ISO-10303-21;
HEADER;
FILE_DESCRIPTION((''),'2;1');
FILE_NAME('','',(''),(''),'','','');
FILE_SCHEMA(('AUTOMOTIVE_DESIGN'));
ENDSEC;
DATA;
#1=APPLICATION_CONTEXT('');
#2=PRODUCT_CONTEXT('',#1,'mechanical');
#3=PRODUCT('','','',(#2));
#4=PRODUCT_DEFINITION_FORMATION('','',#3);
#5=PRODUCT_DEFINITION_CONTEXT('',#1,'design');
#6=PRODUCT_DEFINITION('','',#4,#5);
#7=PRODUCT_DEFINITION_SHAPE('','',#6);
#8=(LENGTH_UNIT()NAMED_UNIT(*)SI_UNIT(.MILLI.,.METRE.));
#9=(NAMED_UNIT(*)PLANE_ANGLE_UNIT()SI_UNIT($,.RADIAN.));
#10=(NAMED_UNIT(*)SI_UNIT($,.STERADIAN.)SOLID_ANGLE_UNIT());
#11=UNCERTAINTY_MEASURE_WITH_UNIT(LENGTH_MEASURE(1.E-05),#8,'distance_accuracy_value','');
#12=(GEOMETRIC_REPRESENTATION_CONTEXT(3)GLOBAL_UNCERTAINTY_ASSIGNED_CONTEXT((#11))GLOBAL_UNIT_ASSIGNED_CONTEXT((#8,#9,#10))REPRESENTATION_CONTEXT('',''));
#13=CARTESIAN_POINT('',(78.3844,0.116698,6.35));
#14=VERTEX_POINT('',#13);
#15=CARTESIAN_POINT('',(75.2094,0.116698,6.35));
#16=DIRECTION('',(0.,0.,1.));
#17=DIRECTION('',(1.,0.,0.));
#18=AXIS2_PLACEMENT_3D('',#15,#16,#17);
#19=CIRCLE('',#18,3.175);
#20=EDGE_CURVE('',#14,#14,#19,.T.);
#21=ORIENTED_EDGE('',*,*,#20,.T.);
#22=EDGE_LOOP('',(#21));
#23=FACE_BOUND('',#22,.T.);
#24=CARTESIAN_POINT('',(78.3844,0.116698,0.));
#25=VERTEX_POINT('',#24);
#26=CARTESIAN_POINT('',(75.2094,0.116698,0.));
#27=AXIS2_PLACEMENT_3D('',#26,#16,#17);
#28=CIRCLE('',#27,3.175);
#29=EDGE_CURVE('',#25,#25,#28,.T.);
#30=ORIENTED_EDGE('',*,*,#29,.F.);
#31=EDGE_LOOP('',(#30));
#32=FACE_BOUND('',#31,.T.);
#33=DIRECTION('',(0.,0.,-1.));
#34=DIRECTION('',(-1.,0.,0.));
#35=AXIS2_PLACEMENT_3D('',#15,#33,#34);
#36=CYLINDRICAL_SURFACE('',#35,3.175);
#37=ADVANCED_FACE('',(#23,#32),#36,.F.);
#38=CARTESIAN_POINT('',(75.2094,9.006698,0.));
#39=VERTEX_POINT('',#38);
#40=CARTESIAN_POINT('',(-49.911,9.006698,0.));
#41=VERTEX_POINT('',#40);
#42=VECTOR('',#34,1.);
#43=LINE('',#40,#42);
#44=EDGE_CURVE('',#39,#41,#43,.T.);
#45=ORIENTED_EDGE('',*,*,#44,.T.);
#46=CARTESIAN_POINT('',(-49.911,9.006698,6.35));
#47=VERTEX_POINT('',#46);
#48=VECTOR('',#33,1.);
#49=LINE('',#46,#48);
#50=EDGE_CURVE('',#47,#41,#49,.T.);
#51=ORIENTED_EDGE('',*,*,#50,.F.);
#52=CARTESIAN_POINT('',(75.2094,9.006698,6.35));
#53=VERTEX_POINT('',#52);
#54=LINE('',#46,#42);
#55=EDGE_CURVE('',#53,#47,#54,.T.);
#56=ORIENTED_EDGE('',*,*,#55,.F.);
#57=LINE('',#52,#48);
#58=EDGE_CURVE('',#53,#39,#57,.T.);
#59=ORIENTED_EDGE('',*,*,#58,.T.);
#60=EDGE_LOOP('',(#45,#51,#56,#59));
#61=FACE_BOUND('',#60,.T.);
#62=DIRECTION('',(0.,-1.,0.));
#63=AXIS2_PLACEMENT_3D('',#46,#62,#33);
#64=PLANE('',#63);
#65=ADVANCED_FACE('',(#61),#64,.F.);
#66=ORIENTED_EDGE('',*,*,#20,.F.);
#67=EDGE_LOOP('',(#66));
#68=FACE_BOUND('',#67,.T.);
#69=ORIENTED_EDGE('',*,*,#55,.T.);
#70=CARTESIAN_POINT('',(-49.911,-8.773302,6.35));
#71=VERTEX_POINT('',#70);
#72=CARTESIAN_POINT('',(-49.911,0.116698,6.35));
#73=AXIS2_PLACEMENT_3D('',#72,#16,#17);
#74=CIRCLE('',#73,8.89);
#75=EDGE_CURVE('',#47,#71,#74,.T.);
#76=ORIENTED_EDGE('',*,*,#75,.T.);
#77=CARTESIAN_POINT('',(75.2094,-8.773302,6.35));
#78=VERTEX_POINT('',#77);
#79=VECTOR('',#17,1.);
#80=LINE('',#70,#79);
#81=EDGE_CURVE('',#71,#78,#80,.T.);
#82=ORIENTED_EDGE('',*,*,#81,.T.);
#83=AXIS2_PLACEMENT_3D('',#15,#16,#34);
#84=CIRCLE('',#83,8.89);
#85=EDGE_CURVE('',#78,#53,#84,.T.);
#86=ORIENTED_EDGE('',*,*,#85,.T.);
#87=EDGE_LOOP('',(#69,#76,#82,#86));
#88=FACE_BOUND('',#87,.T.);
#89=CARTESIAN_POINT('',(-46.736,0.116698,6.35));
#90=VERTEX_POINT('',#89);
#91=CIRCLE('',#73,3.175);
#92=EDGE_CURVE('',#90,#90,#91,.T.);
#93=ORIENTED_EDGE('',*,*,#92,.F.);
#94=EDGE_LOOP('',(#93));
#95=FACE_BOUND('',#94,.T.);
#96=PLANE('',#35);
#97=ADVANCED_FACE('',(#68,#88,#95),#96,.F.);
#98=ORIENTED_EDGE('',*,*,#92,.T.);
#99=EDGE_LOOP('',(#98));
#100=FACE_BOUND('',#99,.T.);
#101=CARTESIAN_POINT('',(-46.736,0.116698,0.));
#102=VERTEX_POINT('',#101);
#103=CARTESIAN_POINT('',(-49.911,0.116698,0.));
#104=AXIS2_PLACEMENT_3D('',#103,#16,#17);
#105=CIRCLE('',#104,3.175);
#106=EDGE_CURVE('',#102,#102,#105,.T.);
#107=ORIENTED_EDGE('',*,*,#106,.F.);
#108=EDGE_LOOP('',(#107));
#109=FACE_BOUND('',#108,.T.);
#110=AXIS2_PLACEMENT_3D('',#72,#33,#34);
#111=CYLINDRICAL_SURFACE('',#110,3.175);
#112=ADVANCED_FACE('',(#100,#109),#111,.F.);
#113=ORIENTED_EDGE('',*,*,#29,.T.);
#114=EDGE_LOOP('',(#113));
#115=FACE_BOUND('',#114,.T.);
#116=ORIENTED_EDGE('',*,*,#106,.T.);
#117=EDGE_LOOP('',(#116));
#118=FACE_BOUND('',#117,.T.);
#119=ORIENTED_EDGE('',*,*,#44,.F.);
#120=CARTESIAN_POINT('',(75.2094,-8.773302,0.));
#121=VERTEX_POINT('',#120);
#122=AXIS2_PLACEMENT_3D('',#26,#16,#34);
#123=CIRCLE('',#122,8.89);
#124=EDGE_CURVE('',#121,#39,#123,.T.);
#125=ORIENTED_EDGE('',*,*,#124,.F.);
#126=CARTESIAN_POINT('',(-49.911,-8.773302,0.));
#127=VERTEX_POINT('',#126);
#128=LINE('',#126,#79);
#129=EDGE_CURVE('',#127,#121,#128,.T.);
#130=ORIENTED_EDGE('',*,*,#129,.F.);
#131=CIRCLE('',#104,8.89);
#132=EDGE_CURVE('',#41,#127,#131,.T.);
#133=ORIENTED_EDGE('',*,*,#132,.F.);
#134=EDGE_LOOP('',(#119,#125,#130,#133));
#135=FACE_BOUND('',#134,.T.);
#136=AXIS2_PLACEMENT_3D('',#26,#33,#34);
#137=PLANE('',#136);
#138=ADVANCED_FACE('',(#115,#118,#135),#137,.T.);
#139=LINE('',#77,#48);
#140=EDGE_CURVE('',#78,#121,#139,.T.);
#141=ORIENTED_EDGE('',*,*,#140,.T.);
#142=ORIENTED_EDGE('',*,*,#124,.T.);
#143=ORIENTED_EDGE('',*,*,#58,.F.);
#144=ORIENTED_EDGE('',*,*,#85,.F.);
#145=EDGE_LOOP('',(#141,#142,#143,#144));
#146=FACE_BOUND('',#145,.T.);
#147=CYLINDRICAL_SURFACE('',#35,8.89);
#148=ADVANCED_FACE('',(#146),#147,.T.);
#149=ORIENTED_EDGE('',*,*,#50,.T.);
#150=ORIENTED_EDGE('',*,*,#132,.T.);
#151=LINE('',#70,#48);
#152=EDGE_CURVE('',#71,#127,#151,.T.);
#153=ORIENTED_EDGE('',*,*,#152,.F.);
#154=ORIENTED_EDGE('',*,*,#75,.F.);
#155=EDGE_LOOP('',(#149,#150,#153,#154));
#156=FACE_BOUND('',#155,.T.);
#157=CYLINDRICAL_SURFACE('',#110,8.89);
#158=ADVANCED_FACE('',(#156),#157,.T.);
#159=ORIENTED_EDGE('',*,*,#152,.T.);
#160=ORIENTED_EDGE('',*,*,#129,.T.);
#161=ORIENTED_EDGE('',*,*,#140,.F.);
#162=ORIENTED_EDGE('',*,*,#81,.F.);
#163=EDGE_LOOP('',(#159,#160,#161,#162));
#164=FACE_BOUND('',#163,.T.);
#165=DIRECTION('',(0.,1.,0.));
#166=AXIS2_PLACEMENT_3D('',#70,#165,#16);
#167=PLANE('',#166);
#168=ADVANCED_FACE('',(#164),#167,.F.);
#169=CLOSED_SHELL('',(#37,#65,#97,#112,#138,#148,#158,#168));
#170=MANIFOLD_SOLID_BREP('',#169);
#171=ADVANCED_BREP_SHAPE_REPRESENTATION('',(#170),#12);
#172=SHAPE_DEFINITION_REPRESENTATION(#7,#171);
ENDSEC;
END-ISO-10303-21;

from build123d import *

# Parameters (mm, degrees)
SKETCH1_R           = 3.175
BOSS_EXTRUDE1_DEPTH = 6.35


with BuildPart() as part:
    # Sketch1 → Boss-Extrude1 (new body)
    with BuildSketch(Plane.XY):
        with BuildLine():
            Line((-49.911, -8.773302225), (75.2094, -8.773302225))
            ThreePointArc((75.2094, -8.773302225), (84.0994, 0.116697775), (75.2094, 9.006697775))
            Line((75.2094, 9.006697775), (-49.911, 9.006697775))
            ThreePointArc((-49.911, 9.006697775), (-58.801, 0.116697775), (-49.911, -8.773302225))
        make_face()
        with Locations((-49.911, 0.116697775)):
            Circle(SKETCH1_R, mode=Mode.SUBTRACT)
        with Locations((75.2094, 0.116697775)):
            Circle(SKETCH1_R, mode=Mode.SUBTRACT)
    extrude(amount=BOSS_EXTRUDE1_DEPTH)


solid = part.part
